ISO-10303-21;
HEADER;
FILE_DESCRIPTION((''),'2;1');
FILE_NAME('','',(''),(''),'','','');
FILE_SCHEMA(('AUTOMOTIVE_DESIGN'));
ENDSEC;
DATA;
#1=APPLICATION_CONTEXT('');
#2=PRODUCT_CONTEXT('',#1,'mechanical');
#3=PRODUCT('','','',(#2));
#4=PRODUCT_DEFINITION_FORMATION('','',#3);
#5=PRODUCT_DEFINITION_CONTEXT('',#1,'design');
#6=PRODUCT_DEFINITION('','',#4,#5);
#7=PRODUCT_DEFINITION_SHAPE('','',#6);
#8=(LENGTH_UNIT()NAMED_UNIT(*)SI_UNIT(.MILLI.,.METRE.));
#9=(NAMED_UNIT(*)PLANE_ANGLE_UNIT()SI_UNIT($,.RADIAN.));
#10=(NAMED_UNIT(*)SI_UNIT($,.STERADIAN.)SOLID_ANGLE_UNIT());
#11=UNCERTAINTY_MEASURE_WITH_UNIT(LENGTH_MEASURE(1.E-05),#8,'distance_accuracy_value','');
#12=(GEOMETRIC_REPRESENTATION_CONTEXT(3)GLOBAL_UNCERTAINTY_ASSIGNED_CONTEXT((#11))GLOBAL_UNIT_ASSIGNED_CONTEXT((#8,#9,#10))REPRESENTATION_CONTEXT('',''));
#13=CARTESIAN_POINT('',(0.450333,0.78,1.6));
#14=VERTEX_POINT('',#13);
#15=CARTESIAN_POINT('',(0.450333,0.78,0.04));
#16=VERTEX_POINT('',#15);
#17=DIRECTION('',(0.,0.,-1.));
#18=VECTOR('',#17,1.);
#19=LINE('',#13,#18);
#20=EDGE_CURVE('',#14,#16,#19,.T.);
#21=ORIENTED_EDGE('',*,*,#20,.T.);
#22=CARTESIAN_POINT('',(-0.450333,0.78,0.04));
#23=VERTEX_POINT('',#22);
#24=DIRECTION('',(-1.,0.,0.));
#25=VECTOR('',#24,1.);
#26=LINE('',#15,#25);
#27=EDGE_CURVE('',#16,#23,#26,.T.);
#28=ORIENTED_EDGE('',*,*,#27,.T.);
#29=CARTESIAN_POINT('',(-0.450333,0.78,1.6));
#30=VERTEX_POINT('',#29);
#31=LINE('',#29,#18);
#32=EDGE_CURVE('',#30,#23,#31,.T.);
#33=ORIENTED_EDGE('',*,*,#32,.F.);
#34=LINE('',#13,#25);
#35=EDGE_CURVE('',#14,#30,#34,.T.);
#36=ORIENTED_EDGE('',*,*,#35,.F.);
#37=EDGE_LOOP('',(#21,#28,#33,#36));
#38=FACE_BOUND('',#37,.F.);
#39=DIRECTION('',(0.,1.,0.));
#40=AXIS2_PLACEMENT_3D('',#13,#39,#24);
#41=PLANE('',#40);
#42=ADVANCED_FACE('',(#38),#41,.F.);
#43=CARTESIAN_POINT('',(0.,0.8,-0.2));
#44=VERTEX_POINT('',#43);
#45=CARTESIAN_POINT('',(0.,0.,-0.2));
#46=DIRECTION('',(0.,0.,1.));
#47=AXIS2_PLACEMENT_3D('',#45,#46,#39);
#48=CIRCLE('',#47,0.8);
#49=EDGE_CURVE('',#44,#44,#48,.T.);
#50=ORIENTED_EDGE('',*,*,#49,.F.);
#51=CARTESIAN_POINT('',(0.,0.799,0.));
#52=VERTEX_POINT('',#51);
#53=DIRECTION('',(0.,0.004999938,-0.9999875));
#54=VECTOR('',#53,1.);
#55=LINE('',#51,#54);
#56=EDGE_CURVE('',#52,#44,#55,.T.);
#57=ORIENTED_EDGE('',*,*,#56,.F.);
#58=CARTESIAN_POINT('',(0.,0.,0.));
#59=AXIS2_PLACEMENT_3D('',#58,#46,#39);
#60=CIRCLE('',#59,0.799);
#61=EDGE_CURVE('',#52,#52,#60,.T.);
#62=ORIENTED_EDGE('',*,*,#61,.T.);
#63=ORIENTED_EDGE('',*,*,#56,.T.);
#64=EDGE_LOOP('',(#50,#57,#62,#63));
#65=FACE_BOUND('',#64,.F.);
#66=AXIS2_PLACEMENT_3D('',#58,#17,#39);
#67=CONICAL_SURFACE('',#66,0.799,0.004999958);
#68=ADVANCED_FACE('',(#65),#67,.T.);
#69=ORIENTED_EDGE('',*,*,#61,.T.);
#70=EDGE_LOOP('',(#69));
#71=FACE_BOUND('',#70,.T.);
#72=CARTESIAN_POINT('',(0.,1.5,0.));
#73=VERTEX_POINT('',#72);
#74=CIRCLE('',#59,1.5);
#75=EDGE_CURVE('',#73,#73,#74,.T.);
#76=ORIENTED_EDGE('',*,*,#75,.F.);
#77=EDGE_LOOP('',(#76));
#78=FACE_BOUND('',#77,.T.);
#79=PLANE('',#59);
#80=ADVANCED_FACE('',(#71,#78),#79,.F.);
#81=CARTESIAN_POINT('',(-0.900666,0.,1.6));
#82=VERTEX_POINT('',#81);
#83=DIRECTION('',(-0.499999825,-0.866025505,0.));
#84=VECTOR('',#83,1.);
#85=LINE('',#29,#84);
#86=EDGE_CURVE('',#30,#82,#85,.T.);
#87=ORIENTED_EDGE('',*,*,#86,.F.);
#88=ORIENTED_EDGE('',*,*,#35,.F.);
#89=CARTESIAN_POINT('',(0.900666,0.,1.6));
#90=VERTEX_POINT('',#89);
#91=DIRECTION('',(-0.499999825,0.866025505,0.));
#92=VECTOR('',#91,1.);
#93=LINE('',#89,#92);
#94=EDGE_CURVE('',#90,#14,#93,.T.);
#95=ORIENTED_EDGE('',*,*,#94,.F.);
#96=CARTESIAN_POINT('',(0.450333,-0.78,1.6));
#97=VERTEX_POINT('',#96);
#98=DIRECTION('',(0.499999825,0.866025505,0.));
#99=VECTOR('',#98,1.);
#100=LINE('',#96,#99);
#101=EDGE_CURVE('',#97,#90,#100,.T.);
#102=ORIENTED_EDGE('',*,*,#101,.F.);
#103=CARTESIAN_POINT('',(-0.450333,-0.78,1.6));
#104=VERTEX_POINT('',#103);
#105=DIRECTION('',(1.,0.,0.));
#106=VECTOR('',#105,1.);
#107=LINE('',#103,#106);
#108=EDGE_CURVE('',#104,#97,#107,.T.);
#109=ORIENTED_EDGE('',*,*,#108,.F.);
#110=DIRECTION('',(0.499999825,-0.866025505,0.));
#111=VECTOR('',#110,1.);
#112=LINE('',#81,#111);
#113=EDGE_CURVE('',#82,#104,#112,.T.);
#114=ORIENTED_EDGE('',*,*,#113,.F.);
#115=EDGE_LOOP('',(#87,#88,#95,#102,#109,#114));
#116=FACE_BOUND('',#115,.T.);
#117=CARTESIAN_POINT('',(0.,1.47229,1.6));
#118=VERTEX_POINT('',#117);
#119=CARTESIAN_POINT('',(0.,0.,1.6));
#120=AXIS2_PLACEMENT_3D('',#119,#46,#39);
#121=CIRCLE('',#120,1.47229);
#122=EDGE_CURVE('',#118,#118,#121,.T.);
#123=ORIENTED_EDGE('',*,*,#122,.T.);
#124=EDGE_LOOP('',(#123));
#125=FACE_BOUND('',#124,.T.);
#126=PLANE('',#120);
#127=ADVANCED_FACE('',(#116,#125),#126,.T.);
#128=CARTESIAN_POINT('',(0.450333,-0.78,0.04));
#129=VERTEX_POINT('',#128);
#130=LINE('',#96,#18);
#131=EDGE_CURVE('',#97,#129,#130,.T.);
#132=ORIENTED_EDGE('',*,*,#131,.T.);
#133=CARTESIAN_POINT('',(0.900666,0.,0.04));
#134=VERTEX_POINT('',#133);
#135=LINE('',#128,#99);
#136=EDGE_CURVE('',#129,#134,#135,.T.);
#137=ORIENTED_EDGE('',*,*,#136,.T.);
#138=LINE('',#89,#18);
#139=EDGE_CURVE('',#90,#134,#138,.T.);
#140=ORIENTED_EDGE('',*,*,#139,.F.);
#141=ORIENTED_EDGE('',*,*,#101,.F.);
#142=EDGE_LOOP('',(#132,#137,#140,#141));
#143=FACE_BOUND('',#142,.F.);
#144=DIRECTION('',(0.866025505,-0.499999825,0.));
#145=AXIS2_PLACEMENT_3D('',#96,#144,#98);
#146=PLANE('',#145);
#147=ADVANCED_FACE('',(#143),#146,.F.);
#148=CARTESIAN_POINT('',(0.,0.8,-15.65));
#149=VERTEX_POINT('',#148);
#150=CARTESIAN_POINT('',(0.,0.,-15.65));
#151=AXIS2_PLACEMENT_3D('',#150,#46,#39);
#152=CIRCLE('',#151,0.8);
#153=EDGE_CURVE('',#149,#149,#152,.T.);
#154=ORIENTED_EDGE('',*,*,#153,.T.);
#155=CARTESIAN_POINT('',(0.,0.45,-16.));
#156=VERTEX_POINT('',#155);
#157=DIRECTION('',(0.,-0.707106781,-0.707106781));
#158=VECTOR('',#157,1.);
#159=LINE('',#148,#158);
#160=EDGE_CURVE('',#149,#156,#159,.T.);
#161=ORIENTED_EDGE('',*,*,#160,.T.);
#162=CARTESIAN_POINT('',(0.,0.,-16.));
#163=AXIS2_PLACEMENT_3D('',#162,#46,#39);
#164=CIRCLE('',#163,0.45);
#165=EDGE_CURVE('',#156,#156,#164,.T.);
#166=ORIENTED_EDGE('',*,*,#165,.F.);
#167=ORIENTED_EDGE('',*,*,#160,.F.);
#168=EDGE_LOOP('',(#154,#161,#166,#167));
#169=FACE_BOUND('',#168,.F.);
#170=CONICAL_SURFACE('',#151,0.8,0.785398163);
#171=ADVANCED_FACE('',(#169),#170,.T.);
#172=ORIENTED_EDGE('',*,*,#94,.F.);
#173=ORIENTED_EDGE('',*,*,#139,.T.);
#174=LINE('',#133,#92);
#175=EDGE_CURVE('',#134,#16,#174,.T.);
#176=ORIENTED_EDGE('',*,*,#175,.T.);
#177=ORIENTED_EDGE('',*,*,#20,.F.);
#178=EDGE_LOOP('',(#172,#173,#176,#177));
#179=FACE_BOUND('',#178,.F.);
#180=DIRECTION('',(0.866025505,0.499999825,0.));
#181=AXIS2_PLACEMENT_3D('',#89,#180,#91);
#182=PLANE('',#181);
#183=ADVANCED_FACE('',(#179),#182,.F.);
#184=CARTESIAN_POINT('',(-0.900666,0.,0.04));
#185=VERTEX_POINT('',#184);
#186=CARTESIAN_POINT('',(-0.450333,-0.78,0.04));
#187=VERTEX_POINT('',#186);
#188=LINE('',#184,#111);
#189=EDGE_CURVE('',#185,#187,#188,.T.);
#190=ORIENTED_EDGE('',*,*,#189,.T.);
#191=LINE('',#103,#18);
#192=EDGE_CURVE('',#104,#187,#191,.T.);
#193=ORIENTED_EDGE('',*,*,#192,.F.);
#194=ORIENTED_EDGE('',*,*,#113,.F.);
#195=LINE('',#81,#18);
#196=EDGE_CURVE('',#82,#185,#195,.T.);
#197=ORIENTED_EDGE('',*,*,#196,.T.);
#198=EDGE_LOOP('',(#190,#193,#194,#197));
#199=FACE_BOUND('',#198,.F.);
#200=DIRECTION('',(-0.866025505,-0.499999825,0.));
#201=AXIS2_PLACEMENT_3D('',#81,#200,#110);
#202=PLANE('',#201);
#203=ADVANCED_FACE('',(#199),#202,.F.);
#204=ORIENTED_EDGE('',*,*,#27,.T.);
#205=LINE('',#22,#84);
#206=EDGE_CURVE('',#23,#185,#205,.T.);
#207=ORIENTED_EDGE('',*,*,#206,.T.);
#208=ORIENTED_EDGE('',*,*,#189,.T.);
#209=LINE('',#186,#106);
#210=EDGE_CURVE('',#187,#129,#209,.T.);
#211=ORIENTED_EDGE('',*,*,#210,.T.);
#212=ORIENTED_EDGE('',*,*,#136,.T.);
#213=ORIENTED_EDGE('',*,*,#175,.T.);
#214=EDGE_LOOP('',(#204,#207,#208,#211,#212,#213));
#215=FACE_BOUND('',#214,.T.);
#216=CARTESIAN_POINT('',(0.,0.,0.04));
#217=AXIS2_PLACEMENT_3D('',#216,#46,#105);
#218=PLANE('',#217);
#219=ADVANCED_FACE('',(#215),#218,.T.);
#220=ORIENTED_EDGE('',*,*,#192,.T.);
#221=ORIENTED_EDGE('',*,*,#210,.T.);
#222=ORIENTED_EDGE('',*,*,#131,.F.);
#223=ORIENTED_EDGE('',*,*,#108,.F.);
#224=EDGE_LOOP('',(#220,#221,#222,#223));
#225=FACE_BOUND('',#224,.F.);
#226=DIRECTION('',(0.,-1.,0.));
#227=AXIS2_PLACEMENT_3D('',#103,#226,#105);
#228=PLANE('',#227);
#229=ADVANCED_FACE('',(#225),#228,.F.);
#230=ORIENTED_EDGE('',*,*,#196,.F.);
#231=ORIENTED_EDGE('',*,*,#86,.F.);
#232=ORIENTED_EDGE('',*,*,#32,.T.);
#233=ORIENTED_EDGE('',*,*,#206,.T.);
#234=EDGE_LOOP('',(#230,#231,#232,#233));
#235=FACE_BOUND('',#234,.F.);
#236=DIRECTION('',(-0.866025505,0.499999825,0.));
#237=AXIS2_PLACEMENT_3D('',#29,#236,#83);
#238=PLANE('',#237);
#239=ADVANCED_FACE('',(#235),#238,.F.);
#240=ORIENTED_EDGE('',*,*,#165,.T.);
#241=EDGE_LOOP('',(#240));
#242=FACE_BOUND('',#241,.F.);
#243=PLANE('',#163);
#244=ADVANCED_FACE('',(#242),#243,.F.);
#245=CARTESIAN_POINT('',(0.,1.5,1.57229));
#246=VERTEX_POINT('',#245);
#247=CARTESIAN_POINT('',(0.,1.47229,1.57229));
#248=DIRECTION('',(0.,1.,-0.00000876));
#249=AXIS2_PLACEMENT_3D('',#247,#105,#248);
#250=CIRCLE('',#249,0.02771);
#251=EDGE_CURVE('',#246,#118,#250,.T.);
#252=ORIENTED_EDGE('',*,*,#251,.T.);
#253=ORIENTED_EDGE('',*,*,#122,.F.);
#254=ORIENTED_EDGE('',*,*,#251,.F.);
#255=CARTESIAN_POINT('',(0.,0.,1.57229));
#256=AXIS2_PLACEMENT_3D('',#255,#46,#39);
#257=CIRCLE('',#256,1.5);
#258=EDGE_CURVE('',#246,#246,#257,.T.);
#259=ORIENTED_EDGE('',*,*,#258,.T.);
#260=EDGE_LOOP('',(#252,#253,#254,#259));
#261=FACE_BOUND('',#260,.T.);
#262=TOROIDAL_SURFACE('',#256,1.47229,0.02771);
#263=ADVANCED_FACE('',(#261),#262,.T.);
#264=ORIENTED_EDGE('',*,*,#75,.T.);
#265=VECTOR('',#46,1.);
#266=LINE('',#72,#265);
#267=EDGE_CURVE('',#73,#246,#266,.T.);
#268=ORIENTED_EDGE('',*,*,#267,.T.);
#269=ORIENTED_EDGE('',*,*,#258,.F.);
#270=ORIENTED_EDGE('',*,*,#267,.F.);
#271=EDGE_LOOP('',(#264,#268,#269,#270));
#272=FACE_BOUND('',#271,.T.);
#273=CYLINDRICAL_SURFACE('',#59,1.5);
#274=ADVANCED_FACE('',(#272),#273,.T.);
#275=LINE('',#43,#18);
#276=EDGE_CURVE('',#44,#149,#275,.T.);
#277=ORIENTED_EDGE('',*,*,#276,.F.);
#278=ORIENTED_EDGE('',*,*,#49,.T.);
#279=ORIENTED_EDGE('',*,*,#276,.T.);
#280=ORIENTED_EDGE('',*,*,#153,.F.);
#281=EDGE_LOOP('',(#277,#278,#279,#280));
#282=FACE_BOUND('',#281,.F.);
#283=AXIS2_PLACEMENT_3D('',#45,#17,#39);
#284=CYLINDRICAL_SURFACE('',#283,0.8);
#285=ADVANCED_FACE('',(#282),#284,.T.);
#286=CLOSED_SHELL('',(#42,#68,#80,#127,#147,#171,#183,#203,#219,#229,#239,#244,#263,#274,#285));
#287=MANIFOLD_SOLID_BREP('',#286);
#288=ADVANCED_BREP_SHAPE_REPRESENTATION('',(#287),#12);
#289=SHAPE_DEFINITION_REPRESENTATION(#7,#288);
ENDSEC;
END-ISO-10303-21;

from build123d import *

# Parameters (mm, degrees)
POCKET_DEPTH = 1.56


with BuildPart() as part:
    # Sketch → Revolve (revolve)
    with BuildSketch(Plane.YZ):
        with BuildLine():
            Line((0.799, 0), (1.5, 0))
            Line((1.5, 0), (1.5, 1.57229))
            ThreePointArc((1.5, 1.57229), (1.491884, 1.591884), (1.47229, 1.6))
            Line((1.47229, 1.6), (0, 1.6))
            Line((0, -16), (0, 1.6))
            Line((0.45, -16), (0, -16))
            Line((0.8, -15.65), (0.45, -16))
            Line((0.8, -0.2), (0.8, -15.65))
            Line((0.799, 0), (0.8, -0.2))
        make_face()
    revolve(axis=Axis((0, 0, 0), (0, 0, 1)))

    # Sketch001 → Pocket (cut)
    with BuildSketch(Plane.XY.offset(1.6)):
        Polygon((0.900666, 0), (0.450333, 0.78), (-0.450333, 0.78), (-0.900666, 0), (-0.450333, -0.78), (0.450333, -0.78), align=None)
    extrude(amount=-POCKET_DEPTH, mode=Mode.SUBTRACT)


solid = part.part
